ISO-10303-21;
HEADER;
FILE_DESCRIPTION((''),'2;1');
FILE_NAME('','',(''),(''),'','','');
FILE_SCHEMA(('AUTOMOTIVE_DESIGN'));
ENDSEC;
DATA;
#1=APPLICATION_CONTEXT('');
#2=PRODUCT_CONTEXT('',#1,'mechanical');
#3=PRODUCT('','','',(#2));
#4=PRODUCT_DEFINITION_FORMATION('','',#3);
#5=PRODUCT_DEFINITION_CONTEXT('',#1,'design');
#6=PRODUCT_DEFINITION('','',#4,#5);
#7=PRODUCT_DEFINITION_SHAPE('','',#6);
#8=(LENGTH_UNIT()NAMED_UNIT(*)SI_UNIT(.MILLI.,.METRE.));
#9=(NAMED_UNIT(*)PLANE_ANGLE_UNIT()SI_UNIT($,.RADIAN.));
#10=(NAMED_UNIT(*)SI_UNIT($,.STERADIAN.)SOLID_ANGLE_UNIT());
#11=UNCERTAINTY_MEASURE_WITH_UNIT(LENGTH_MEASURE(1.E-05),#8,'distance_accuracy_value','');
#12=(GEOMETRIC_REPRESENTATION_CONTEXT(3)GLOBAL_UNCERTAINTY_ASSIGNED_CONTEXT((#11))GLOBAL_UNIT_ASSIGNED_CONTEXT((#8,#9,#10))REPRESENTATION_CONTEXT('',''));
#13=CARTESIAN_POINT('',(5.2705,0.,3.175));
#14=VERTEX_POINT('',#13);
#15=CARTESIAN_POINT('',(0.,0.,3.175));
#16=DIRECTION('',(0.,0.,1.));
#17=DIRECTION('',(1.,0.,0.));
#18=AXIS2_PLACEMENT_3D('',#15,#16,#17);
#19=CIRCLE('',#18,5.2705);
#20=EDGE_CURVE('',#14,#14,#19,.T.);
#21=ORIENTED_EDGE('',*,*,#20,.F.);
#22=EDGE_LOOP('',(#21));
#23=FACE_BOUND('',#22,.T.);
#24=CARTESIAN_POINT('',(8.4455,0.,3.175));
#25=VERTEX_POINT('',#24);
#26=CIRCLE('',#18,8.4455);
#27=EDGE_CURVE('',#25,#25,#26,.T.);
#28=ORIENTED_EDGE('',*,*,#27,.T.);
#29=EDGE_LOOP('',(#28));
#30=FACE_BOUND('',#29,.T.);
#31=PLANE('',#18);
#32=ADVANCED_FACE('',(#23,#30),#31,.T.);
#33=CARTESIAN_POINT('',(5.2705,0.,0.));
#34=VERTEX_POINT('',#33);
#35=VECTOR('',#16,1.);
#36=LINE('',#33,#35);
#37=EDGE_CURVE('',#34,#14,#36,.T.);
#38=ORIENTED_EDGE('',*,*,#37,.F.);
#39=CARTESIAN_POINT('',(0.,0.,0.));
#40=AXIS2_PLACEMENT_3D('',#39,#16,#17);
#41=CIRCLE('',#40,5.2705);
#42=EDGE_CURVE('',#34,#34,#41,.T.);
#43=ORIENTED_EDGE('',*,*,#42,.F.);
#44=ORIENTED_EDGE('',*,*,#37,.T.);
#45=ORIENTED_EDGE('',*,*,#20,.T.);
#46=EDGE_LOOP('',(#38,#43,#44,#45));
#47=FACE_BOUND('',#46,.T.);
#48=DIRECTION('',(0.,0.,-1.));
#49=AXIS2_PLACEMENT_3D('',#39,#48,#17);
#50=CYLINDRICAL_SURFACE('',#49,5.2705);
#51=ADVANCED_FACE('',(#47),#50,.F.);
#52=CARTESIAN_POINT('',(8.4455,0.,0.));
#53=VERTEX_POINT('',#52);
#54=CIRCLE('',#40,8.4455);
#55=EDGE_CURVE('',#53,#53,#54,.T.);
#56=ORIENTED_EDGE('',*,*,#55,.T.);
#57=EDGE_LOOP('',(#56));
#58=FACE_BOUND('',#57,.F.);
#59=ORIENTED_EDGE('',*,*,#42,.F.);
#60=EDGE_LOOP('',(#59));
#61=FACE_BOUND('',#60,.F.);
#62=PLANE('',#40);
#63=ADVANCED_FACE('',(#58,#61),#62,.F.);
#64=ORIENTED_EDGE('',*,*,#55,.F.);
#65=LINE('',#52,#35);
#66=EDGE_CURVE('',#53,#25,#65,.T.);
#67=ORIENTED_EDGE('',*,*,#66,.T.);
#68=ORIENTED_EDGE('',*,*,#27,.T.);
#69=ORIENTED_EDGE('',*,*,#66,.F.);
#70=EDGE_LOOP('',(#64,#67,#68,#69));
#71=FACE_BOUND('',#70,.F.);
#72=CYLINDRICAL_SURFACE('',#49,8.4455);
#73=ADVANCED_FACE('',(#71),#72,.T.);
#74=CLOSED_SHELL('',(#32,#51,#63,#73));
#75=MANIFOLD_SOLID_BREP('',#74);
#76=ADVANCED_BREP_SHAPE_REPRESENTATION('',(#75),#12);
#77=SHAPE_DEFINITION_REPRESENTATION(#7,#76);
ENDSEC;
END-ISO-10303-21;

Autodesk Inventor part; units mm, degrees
ref_plane "YZ Plane" through (0, 0, 0) normal (1, 0, 0) x (0, 1, 0)
ref_plane "XZ Plane" through (0, 0, 0) normal (0, 1, 0) x (-1, 0, 0)
ref_plane "XY Plane" through (0, 0, 0) normal (0, 0, 1) x (1, 0, 0)
sketch "Sketch1" plane through (0, 0, 0) normal (0, 0, 1) x (1, 0, 0)
  circle A0 centre (0, 0) radius 5.2705
  circle A1 centre (0, 0) radius 8.4455
  dimension "d0" = 3.175
  dimension "d1" = 10.541
extrude "Extrusion1" add sketch "Sketch1" along normal blind 3.175
properties part number "GP-SP-004" material "ABS Plastic"
